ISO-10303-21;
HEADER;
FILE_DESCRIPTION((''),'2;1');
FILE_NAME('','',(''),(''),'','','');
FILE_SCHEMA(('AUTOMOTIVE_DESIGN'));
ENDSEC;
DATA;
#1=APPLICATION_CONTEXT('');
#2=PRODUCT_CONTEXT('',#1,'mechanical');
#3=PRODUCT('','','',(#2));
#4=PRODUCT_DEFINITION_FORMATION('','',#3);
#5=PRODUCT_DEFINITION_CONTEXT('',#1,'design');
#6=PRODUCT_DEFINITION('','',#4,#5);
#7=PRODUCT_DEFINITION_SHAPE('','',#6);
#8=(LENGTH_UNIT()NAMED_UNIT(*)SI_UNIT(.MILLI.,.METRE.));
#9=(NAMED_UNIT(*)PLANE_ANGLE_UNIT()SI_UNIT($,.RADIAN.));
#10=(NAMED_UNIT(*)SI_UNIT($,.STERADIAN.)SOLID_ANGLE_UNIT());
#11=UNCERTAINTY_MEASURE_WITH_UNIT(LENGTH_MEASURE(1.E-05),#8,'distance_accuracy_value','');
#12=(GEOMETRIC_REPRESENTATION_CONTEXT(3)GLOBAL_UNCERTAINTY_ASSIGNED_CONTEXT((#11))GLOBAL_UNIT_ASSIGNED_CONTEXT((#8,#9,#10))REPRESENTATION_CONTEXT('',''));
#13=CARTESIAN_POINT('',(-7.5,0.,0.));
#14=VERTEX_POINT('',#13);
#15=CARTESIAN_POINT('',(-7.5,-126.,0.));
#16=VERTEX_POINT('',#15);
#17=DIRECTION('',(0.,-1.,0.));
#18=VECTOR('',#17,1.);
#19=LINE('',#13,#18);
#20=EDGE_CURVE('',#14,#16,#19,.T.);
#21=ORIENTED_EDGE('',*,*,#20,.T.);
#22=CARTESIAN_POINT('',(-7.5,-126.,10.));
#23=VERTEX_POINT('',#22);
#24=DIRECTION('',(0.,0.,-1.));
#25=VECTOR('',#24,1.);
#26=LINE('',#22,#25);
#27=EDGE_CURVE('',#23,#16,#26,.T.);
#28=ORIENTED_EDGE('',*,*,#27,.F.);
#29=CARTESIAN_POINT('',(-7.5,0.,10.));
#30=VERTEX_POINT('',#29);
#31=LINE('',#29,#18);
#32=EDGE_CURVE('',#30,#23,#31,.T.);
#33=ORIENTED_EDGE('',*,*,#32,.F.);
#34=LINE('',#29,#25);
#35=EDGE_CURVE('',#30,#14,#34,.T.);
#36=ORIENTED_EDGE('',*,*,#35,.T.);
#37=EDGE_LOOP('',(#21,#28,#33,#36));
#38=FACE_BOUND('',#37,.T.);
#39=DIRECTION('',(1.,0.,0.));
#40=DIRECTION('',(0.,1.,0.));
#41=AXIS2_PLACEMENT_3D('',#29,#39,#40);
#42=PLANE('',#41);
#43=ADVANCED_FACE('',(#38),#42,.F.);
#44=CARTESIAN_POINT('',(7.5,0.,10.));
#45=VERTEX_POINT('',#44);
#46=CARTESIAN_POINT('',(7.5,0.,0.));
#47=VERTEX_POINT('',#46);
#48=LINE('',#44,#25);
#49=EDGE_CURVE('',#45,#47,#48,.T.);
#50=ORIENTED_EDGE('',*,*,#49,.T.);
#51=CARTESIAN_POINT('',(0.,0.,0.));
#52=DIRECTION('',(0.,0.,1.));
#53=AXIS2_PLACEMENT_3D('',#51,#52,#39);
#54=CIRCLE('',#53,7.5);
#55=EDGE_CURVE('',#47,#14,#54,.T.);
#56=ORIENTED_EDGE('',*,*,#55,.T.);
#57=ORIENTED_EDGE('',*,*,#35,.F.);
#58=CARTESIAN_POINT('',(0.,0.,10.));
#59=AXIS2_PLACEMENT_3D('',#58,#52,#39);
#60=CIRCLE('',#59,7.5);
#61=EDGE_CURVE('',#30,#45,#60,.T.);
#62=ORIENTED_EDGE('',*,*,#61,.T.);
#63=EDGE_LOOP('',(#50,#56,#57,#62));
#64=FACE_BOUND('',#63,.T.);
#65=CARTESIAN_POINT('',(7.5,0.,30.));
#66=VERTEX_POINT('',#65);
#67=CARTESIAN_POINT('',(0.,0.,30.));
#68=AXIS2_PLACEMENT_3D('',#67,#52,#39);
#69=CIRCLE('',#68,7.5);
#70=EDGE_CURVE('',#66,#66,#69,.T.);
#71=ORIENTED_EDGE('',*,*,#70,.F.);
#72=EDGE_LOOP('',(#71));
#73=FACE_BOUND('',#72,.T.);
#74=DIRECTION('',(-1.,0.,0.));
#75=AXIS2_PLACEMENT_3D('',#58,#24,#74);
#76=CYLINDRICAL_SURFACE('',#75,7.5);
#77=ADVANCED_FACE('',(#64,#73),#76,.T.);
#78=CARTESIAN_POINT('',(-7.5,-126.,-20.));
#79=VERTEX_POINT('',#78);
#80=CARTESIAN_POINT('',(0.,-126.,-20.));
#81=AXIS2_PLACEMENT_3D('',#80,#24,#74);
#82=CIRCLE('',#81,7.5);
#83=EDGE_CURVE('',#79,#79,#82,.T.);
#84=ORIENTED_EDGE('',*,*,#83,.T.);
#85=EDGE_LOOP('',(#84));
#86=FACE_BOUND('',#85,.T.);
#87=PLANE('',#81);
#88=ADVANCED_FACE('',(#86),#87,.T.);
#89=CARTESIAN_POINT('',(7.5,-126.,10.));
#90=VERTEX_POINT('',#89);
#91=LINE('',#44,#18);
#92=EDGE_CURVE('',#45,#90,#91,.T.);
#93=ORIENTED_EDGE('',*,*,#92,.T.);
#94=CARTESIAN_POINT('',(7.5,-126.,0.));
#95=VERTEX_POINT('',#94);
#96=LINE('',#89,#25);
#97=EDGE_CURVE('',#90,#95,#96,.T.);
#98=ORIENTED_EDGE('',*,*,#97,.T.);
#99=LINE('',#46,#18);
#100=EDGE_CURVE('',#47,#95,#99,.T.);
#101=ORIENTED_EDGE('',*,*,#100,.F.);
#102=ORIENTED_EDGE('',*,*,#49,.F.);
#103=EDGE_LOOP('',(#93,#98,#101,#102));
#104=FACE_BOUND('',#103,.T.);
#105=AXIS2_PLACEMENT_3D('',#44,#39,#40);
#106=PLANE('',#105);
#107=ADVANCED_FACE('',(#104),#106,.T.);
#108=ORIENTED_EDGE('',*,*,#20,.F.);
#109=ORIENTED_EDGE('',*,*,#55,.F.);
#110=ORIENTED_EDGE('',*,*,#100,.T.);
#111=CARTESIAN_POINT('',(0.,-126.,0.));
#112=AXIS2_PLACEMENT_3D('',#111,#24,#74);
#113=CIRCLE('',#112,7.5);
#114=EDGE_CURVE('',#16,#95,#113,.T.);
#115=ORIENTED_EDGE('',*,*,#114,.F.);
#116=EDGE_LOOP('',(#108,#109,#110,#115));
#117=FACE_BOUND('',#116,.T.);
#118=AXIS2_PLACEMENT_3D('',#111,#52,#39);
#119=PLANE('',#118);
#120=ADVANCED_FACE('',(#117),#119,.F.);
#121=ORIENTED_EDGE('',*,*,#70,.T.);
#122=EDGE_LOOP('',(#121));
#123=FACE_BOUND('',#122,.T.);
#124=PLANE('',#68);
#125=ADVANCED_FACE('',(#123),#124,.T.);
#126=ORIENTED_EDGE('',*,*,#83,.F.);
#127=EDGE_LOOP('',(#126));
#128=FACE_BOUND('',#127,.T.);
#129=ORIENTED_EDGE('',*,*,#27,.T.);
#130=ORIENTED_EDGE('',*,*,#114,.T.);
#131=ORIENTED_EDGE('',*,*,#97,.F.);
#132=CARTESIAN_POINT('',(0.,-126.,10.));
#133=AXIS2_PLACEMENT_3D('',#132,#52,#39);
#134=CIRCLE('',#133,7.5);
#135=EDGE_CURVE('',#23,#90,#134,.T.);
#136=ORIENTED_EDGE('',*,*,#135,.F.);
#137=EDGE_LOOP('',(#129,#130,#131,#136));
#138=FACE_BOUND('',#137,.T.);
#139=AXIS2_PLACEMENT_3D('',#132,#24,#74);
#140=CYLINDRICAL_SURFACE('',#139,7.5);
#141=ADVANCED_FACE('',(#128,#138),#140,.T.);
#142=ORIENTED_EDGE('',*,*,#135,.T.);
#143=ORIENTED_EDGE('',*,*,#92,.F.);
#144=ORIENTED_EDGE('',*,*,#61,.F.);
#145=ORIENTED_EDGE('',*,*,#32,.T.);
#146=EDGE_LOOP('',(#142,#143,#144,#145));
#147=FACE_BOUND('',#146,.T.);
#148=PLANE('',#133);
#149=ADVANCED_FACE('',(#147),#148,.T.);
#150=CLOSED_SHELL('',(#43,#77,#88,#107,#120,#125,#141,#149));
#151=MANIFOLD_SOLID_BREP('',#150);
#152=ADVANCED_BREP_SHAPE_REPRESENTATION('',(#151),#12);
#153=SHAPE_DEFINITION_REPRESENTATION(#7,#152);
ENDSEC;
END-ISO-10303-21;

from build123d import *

# Parameters (mm, degrees)
EXTRUDE_1_DEPTH = 10
SKETCH_2_R      = 7.5
EXTRUDE_2_DEPTH = 20
EXTRUDE_START   = 20
SKETCH_3_R      = 7.5
EXTRUDE_3_DEPTH = 20


with BuildPart() as part:
    # 草图1 → 凸台-拉伸1 (new body)
    with BuildSketch(Plane.XY):
        with BuildLine():
            Line((7.5, 0), (7.5, -126))
            ThreePointArc((7.5, -126), (0, -133.5), (-7.5, -126))
            Line((-7.5, -126), (-7.5, 0))
            ThreePointArc((-7.5, 0), (0, 7.5), (7.5, 0))
        make_face()
    extrude(amount=EXTRUDE_1_DEPTH)

    # 草图2 → 凸台-拉伸2 (add)
    with BuildSketch(Plane.XY.offset(10)):
        Circle(SKETCH_2_R)
    extrude(amount=EXTRUDE_2_DEPTH)

    # 草图3 → 凸台-拉伸3 (add)
    with BuildSketch(Plane(origin=(0, 0, 0), x_dir=(-1, 0, 0), z_dir=(0, 0, -1)).offset(EXTRUDE_START)):
        with Locations((0, -126)):
            Circle(SKETCH_3_R)
    extrude(amount=-EXTRUDE_3_DEPTH)


solid = part.part
